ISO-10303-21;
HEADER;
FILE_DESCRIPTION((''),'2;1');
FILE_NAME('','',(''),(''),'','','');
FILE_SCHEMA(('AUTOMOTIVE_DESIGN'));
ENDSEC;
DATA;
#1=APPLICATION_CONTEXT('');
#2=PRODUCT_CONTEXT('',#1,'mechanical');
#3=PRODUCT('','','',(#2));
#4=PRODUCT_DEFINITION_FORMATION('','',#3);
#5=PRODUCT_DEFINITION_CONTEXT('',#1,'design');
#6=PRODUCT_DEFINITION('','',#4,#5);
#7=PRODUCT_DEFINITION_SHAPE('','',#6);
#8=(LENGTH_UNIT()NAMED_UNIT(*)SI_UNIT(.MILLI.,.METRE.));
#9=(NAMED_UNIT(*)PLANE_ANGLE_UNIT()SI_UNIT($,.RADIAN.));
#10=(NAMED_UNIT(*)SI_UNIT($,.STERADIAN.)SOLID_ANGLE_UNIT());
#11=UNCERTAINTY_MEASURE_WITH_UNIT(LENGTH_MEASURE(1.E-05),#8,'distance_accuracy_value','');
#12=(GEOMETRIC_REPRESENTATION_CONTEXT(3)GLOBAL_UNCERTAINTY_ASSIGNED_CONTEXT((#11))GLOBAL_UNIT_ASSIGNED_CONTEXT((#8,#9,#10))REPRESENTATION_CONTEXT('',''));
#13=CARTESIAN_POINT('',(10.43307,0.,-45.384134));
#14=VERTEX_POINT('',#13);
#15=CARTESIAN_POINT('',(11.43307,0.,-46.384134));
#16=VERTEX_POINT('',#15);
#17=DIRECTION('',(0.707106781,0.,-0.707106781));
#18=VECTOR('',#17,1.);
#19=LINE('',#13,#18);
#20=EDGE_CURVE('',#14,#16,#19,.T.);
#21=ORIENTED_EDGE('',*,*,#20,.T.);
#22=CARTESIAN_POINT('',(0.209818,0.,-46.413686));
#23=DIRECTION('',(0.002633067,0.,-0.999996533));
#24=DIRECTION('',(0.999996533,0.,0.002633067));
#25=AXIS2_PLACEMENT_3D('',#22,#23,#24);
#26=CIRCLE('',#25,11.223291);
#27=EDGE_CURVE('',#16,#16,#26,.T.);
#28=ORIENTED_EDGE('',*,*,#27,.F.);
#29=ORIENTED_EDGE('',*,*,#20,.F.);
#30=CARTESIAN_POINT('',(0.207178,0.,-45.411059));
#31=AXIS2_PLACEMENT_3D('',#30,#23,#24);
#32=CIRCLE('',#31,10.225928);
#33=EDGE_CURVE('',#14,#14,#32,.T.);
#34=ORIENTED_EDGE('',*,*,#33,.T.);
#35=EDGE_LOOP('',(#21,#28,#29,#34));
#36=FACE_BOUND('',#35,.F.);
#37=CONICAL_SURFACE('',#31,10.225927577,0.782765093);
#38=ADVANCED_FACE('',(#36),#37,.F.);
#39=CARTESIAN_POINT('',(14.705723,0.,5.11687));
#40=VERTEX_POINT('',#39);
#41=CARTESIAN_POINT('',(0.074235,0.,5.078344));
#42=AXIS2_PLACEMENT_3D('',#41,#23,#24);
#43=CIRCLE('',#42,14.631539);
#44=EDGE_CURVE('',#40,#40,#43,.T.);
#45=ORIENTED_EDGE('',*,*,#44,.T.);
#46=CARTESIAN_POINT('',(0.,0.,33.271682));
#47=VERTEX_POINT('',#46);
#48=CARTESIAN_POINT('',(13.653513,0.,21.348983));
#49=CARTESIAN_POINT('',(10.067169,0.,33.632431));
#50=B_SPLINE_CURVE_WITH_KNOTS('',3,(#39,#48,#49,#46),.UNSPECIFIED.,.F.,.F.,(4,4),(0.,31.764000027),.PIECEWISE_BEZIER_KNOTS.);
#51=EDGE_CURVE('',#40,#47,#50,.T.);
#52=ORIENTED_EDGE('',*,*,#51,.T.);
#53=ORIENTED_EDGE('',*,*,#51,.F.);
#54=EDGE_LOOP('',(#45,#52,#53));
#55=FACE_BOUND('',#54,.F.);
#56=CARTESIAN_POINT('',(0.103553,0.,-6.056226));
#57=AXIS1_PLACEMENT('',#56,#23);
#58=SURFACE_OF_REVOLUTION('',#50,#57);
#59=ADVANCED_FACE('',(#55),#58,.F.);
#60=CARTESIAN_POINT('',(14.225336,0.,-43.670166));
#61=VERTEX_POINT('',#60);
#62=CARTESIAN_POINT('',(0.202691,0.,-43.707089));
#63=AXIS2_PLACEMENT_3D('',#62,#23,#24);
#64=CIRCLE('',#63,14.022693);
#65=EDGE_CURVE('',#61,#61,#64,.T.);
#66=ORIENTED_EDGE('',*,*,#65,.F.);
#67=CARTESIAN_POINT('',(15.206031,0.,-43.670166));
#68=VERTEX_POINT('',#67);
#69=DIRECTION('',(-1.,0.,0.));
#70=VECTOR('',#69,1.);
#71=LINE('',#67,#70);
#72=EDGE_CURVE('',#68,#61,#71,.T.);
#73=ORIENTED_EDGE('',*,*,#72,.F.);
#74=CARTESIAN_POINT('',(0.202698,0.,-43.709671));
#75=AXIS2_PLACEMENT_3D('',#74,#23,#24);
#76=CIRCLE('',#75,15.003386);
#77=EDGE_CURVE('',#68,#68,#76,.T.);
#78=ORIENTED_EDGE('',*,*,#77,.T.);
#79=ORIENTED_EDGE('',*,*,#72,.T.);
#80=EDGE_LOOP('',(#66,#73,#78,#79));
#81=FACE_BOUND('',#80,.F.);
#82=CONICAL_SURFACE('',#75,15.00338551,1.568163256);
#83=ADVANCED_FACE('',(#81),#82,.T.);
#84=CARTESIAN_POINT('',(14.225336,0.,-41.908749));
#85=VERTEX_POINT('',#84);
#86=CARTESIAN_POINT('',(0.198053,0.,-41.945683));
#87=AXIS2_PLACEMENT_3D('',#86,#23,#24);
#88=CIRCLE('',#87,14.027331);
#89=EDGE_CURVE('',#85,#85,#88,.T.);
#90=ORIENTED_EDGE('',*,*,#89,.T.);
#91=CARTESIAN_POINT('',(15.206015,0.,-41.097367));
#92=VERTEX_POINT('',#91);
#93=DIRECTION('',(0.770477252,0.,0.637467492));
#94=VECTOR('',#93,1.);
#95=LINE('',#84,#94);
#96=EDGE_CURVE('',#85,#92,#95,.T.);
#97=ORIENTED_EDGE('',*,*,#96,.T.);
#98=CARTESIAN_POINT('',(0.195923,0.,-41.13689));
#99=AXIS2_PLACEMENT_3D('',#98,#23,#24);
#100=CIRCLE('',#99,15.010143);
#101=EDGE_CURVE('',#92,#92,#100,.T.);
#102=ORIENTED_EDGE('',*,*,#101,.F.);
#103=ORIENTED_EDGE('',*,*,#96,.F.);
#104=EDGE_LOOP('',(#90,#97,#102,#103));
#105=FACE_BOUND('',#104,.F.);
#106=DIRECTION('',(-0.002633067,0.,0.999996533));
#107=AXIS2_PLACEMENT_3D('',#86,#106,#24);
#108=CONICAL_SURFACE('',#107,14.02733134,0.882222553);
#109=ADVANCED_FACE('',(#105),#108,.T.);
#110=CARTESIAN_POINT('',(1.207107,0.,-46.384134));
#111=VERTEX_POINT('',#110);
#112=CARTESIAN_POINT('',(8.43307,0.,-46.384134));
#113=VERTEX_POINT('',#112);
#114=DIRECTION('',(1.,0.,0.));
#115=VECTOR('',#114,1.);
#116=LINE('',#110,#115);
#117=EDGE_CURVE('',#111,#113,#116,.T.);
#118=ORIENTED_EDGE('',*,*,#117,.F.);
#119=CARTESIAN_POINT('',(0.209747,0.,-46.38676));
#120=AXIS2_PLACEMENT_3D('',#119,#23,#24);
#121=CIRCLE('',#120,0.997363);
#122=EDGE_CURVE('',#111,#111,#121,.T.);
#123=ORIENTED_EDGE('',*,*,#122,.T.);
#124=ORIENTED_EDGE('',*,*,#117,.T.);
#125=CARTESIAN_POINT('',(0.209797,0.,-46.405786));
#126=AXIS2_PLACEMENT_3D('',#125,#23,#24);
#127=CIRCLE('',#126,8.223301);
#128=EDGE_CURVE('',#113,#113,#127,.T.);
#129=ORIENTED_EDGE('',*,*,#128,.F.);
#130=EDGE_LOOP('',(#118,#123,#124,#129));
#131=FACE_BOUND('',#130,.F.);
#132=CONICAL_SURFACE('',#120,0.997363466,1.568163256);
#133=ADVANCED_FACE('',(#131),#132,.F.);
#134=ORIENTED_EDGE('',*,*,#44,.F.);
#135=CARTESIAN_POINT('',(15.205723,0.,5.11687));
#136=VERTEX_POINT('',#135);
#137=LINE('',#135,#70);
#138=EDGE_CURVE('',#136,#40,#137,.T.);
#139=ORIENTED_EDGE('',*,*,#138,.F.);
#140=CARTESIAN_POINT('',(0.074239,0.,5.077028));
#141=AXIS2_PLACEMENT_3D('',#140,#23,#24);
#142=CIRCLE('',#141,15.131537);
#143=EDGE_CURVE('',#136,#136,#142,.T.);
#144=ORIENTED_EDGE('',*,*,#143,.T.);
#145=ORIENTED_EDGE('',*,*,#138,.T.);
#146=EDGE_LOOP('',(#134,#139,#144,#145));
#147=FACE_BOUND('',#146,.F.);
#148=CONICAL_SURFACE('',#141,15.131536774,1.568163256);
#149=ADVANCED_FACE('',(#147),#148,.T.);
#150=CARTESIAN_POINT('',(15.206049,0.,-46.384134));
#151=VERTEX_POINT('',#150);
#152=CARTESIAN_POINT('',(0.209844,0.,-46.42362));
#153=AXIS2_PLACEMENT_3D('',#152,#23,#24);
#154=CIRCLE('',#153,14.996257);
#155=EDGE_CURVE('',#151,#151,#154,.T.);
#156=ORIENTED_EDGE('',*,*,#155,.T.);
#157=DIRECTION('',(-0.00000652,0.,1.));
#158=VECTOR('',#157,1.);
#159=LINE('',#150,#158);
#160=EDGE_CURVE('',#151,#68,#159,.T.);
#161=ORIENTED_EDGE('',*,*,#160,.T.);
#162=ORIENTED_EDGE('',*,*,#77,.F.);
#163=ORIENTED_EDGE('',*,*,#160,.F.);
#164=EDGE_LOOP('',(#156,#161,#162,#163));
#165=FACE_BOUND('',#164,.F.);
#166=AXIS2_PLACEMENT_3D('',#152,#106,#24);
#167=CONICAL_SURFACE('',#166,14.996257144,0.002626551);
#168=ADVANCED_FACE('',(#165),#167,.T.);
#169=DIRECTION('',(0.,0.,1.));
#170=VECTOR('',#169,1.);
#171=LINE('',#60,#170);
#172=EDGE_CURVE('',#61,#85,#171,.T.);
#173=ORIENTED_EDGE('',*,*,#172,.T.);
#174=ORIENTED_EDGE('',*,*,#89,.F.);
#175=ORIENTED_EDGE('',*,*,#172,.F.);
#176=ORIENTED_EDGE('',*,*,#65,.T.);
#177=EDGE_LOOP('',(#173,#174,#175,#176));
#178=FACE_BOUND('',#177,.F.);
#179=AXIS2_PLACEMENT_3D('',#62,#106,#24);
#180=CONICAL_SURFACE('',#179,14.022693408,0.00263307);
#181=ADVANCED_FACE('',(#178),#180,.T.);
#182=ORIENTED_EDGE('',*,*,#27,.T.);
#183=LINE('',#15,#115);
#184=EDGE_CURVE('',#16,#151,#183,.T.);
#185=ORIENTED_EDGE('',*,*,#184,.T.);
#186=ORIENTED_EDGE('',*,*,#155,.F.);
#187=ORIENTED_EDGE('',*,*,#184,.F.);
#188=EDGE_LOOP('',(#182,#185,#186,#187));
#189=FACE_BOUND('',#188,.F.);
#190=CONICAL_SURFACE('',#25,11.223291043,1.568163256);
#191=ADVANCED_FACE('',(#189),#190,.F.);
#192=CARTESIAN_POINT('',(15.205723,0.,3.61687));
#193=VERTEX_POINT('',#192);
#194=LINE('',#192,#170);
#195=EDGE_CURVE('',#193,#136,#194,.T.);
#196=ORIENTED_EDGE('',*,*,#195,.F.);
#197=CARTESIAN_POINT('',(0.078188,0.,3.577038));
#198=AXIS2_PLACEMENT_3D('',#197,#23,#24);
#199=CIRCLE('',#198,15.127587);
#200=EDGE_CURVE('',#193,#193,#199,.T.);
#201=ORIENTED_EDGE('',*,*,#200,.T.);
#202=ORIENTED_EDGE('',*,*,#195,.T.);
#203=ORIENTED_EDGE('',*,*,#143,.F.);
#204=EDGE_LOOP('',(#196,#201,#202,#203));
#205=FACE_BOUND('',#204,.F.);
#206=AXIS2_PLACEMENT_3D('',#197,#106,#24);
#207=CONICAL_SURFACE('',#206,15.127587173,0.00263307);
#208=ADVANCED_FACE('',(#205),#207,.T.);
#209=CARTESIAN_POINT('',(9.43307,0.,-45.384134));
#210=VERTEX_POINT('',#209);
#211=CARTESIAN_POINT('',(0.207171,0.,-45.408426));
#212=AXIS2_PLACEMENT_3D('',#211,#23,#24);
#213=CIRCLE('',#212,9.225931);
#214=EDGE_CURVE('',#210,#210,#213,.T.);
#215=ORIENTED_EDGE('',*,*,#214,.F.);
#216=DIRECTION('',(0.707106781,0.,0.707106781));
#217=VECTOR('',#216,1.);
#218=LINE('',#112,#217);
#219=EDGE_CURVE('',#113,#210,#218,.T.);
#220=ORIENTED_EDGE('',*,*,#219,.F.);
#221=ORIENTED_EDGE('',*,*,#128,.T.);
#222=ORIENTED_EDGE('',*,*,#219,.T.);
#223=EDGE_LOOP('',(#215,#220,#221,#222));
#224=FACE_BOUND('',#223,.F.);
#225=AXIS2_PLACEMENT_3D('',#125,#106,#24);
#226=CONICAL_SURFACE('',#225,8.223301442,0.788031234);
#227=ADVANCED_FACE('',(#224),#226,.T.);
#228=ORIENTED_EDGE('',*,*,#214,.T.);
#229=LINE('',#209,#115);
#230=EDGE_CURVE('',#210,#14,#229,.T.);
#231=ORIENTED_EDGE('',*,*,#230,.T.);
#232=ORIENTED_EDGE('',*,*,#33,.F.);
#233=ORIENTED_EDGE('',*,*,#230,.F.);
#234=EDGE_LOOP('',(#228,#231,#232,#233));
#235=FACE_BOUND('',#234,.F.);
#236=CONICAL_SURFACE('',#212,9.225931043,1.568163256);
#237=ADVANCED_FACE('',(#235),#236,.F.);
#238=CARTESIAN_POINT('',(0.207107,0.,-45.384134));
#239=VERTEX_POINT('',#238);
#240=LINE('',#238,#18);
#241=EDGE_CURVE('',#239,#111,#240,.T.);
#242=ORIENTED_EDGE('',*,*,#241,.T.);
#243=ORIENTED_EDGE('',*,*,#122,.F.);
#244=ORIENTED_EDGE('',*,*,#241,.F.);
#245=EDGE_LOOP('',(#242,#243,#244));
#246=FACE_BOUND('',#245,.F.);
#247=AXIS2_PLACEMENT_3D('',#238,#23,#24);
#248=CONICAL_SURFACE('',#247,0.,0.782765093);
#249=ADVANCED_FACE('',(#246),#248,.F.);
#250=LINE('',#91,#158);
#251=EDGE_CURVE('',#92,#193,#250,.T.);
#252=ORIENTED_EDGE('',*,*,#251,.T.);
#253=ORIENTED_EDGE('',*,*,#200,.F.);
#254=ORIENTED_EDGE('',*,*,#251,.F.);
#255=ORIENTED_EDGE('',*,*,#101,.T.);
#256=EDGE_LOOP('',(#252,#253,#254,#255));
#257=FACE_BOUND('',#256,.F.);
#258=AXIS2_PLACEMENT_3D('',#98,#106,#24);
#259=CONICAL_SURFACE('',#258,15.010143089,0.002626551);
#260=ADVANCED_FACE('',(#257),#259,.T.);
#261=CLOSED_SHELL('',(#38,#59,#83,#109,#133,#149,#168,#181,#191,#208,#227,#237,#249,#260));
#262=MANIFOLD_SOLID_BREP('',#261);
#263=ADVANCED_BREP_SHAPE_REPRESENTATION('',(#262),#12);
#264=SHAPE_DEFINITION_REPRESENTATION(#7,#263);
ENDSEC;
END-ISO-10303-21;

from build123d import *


with BuildPart() as f1:
    # F0 (on Front) → F1 (revolve)
    with BuildSketch(Plane.XZ):
        with BuildLine():
            Line((13.4330698064, -46.3841338361), (15.2060489871, -46.3841338361))
            Line((15.2060489871, -46.3841338361), (15.2060312931, -43.6701662838))
            Line((15.2060312931, -43.6701662838), (14.2253357917, -43.6701662838))
            Line((14.2253357917, -43.6701662838), (14.2253357917, -41.9087485828))
            Line((14.2253357917, -41.9087485828), (15.2060145196, -41.0973673151))
            Line((15.2060145196, -41.0973673151), (15.2057230017, 3.6168700514))
            Line((15.2057230017, 3.6168700514), (15.2057230017, 5.1168700514))
            Line((15.2057230017, 5.1168700514), (14.7057230017, 5.1168700514))
            add(Edge.make_bspline(
                [(14.7057230017, 5.1168700514), (13.6535132095, 21.3489830368), (10.0671686232, 33.6324311793), (0, 33.2716815174)],
                knots=[0, 0, 0, 0, 31.7640000266, 31.7640000266, 31.7640000266, 31.7640000266], degree=3))
            Line((0, 33.2716815174), (0.2071067812, -45.3841338361))
            Line((0.2071067812, -45.3841338361), (1.2071067812, -46.3841338361))
            Line((1.2071067812, -46.3841338361), (7.4330698064, -46.3841338361))
            Line((7.4330698064, -46.3841338361), (8.4330698064, -46.3841338361))
            Line((8.4330698064, -46.3841338361), (9.4330698064, -45.3841338361))
            Line((9.4330698064, -45.3841338361), (10.4330698064, -45.3841338361))
            Line((10.4330698064, -45.3841338361), (11.4330698064, -46.3841338361))
            Line((11.4330698064, -46.3841338361), (13.4330698064, -46.3841338361))
        make_face()
    revolve(axis=Axis((0.1035533906, 0, -6.0562261594), (0.0026330674, 0, -0.9999965335)))


solid = f1.part
